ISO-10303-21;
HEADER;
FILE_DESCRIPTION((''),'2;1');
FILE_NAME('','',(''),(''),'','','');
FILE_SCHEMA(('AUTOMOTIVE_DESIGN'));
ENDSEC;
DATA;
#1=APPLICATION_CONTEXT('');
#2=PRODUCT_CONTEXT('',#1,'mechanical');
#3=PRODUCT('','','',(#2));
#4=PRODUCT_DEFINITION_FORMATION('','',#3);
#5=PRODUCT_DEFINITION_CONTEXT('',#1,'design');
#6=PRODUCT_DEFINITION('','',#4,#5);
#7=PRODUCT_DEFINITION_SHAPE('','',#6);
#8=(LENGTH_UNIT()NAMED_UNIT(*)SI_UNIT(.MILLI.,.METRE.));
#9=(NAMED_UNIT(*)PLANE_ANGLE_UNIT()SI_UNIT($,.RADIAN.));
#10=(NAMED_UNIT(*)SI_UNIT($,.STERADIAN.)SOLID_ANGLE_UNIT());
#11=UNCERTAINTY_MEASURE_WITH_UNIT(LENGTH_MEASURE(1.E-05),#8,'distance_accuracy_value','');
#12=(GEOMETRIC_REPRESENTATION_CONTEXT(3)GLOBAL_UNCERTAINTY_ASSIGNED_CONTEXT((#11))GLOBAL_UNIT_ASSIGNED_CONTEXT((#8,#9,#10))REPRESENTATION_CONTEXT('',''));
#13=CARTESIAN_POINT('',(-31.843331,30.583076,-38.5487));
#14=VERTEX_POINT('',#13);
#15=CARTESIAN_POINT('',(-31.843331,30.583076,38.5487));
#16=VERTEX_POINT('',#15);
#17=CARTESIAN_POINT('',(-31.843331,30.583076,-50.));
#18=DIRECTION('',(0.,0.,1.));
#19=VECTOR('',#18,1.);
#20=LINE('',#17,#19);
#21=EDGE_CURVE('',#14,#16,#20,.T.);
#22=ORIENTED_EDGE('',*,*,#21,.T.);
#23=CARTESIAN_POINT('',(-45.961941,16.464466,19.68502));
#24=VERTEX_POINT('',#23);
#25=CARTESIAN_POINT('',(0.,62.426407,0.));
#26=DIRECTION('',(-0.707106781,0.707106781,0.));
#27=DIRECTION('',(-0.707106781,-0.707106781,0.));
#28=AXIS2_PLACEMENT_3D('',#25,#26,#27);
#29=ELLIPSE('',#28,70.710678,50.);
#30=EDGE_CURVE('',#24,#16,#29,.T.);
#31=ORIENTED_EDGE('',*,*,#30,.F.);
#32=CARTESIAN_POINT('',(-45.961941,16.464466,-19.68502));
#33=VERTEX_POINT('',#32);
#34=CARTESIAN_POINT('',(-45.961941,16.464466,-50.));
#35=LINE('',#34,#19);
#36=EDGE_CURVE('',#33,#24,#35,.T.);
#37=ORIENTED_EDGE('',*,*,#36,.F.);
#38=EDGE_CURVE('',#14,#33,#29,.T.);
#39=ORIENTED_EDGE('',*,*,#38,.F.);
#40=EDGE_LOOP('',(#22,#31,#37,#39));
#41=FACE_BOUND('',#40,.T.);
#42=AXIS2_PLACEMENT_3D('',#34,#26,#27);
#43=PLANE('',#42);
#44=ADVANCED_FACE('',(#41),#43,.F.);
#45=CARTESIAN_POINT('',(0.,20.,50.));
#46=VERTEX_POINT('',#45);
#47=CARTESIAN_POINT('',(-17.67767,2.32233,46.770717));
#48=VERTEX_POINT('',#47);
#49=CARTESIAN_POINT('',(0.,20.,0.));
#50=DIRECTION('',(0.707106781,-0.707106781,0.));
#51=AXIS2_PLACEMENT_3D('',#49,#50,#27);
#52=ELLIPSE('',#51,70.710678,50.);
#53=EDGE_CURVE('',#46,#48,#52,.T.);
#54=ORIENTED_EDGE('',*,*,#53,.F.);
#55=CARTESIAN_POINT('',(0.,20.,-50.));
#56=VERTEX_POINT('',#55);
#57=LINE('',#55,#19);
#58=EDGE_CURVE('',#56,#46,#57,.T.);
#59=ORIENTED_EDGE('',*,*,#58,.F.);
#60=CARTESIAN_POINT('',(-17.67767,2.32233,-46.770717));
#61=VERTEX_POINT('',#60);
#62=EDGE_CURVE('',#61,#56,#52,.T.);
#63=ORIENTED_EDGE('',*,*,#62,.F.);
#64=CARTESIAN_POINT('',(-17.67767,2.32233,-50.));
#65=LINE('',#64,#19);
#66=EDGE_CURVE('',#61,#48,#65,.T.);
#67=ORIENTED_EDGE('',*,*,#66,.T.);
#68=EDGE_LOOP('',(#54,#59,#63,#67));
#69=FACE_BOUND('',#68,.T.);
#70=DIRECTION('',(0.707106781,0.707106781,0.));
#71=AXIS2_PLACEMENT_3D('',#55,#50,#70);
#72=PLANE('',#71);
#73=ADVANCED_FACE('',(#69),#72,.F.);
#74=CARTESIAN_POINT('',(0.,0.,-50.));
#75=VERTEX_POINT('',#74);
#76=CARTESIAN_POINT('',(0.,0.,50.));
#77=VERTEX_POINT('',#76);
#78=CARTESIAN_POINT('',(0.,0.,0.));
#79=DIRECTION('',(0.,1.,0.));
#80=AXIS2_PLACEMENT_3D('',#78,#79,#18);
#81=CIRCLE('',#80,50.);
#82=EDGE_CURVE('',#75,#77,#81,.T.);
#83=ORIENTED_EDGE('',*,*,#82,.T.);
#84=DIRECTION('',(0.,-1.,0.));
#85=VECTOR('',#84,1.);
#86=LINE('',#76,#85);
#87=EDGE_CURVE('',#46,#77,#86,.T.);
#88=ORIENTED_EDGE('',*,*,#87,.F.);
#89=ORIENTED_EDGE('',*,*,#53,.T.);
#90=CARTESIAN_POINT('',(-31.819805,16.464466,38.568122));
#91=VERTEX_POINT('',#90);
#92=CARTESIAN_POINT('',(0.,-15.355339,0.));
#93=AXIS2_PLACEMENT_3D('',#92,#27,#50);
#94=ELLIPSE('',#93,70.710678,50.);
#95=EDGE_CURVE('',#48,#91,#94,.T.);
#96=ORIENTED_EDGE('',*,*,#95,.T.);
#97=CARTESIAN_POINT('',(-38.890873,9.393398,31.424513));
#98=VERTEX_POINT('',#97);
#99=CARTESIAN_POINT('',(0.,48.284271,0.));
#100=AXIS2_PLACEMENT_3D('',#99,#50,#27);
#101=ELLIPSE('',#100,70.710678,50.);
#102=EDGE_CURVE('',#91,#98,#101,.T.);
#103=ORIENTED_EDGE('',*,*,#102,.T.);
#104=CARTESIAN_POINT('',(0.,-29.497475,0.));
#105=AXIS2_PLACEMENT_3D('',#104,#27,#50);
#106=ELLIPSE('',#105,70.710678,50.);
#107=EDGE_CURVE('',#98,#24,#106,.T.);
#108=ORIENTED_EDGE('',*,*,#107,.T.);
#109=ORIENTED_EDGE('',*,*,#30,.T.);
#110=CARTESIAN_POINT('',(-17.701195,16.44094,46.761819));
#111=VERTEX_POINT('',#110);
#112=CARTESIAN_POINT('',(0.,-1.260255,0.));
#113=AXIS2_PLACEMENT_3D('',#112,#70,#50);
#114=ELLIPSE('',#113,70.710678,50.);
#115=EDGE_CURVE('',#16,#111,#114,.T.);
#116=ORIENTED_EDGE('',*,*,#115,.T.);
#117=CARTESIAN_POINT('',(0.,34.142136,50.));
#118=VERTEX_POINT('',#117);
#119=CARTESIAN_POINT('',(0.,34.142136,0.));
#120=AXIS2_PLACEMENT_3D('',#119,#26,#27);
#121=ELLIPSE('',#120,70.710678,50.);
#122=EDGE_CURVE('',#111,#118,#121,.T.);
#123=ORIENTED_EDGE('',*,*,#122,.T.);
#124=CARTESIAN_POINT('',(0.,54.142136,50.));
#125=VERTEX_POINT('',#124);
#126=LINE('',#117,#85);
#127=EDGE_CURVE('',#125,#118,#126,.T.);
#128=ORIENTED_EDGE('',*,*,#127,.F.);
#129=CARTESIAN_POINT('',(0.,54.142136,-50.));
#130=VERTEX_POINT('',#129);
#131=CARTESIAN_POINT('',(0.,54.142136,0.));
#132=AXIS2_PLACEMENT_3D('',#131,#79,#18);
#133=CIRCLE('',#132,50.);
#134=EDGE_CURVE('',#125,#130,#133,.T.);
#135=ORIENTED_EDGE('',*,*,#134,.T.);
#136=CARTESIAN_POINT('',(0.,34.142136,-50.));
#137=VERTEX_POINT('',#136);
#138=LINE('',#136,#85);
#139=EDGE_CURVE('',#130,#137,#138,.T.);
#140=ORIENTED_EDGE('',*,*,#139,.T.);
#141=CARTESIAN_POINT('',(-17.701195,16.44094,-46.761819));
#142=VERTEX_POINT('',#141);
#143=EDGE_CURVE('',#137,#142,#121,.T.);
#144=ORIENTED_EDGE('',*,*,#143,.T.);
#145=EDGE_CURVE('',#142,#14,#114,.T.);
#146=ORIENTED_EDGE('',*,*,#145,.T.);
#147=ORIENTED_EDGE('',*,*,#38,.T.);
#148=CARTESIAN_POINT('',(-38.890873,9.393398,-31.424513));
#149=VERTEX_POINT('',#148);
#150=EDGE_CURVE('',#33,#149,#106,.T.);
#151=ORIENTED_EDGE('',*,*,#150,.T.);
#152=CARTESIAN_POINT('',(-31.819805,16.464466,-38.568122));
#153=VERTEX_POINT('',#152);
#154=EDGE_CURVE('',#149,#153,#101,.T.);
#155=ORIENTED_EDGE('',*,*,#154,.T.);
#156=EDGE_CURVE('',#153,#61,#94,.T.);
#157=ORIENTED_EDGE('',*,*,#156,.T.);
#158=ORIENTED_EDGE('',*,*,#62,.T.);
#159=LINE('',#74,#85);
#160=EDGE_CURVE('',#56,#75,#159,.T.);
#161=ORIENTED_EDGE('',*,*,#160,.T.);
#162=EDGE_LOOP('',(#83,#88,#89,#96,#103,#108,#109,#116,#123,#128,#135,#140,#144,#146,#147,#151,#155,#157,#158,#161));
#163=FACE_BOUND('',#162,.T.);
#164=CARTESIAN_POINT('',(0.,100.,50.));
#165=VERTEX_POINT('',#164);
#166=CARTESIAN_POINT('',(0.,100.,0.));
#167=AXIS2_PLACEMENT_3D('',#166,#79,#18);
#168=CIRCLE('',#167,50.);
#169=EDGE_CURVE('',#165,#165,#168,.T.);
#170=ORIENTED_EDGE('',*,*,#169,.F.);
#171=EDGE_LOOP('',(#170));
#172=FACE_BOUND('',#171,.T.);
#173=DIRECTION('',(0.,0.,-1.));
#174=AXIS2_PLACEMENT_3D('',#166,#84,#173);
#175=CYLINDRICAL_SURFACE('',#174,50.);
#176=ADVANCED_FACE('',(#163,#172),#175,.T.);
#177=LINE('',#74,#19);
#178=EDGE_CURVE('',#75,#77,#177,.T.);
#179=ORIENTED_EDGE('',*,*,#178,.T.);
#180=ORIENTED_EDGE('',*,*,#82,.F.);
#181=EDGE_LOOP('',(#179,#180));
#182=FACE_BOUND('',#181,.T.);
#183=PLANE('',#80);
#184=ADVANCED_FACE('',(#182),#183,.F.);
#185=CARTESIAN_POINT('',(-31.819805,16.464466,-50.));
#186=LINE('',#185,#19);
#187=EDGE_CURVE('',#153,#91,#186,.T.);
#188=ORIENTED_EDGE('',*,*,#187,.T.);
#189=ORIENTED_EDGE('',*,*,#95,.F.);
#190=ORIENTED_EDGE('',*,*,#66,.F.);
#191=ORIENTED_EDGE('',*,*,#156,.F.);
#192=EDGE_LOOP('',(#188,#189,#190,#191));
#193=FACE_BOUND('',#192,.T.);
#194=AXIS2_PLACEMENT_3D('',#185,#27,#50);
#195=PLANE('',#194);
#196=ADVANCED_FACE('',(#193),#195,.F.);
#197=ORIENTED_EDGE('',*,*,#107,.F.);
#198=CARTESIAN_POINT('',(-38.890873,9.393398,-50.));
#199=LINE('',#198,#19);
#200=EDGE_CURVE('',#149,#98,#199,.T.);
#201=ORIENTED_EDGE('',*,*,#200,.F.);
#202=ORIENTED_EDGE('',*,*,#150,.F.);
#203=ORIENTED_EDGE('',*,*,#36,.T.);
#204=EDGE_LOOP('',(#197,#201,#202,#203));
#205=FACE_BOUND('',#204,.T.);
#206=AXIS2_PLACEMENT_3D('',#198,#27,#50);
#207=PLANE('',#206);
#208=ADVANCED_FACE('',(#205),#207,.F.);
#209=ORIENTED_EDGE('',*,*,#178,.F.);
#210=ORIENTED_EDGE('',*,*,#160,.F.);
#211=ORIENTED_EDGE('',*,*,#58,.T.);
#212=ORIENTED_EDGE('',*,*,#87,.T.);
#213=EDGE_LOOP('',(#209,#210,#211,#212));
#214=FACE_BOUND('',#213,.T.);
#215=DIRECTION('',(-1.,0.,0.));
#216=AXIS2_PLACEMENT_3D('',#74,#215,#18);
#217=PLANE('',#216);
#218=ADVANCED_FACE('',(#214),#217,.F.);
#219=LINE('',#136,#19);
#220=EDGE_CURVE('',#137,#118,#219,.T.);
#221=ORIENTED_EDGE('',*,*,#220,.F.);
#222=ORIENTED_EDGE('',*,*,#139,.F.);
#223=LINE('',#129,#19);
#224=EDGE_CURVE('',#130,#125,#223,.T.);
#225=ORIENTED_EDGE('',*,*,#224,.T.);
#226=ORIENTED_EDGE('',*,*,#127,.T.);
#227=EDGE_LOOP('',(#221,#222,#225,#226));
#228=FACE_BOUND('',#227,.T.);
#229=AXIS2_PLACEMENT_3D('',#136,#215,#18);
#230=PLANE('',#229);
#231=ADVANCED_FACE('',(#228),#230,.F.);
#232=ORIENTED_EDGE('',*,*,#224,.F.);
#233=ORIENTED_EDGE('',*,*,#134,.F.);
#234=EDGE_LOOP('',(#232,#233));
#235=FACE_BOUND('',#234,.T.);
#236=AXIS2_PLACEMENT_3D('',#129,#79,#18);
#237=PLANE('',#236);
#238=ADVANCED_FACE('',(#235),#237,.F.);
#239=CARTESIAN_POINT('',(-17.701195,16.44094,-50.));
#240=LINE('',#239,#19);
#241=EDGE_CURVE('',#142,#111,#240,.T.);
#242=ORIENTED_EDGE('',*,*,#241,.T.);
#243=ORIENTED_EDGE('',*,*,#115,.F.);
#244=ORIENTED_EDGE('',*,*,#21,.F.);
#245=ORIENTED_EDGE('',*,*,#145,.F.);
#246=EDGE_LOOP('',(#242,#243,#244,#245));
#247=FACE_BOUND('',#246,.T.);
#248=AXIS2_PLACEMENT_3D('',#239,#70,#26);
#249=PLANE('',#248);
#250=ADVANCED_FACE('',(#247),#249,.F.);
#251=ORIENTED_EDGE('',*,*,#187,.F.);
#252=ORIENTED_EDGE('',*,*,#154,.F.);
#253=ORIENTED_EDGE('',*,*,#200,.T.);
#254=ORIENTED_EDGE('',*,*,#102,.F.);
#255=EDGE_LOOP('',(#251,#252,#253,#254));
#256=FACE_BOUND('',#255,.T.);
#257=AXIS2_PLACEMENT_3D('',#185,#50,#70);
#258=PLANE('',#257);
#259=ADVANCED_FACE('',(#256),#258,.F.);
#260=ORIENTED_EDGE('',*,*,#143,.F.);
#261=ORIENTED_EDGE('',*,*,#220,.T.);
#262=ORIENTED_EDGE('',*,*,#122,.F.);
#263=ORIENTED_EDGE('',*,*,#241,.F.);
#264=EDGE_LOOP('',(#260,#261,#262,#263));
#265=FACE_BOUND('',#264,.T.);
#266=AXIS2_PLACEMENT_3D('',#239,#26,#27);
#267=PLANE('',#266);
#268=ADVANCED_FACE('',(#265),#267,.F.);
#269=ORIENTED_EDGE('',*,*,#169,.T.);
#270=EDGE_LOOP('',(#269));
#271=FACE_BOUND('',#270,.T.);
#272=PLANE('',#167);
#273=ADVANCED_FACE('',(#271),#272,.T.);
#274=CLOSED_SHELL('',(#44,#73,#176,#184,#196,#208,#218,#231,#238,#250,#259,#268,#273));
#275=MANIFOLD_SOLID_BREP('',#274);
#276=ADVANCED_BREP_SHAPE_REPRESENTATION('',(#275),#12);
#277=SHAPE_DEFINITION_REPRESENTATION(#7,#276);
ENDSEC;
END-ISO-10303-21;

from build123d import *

# Parameters (mm, degrees)
SKETCH_1_R               = 50
EXTRUDE_1_DEPTH          = 100
CUT_EXTRUDE_1_DEPTH      = 123.474487139
CUT_EXTRUDE_1_DEPTH_BACK = 123.474487139


with BuildPart() as part:
    # 草图1 → 凸台-拉伸1 (new body)
    with BuildSketch(Plane(origin=(0, 0, 0), x_dir=(1, 0, 0), z_dir=(0, 1, 0))):
        with Locations(Location((0, 0, 0), (0, 0, 270))):
            Circle(SKETCH_1_R)
    extrude(amount=EXTRUDE_1_DEPTH)

    # 草图2 → 切除-拉伸1 (cut, two sides: drawn at the far end of the back side and taken through both)
    with BuildSketch(Plane.XY.offset(-CUT_EXTRUDE_1_DEPTH_BACK)):
        Polygon((0, 0), (0, 20), (-17.67766953, 2.32233047), (-31.819805153, 16.464466094), (-38.890872965, 9.393398282), (-45.961940777, 16.464466094), (-31.843330798, 30.583076073), (-17.701195174, 16.440940449), (0, 34.142135624), (0, 54.142135624), (63.983037585, 54.142135624), (63.983037585, 0), align=None)
    extrude(amount=CUT_EXTRUDE_1_DEPTH + CUT_EXTRUDE_1_DEPTH_BACK, mode=Mode.SUBTRACT)


solid = part.part
